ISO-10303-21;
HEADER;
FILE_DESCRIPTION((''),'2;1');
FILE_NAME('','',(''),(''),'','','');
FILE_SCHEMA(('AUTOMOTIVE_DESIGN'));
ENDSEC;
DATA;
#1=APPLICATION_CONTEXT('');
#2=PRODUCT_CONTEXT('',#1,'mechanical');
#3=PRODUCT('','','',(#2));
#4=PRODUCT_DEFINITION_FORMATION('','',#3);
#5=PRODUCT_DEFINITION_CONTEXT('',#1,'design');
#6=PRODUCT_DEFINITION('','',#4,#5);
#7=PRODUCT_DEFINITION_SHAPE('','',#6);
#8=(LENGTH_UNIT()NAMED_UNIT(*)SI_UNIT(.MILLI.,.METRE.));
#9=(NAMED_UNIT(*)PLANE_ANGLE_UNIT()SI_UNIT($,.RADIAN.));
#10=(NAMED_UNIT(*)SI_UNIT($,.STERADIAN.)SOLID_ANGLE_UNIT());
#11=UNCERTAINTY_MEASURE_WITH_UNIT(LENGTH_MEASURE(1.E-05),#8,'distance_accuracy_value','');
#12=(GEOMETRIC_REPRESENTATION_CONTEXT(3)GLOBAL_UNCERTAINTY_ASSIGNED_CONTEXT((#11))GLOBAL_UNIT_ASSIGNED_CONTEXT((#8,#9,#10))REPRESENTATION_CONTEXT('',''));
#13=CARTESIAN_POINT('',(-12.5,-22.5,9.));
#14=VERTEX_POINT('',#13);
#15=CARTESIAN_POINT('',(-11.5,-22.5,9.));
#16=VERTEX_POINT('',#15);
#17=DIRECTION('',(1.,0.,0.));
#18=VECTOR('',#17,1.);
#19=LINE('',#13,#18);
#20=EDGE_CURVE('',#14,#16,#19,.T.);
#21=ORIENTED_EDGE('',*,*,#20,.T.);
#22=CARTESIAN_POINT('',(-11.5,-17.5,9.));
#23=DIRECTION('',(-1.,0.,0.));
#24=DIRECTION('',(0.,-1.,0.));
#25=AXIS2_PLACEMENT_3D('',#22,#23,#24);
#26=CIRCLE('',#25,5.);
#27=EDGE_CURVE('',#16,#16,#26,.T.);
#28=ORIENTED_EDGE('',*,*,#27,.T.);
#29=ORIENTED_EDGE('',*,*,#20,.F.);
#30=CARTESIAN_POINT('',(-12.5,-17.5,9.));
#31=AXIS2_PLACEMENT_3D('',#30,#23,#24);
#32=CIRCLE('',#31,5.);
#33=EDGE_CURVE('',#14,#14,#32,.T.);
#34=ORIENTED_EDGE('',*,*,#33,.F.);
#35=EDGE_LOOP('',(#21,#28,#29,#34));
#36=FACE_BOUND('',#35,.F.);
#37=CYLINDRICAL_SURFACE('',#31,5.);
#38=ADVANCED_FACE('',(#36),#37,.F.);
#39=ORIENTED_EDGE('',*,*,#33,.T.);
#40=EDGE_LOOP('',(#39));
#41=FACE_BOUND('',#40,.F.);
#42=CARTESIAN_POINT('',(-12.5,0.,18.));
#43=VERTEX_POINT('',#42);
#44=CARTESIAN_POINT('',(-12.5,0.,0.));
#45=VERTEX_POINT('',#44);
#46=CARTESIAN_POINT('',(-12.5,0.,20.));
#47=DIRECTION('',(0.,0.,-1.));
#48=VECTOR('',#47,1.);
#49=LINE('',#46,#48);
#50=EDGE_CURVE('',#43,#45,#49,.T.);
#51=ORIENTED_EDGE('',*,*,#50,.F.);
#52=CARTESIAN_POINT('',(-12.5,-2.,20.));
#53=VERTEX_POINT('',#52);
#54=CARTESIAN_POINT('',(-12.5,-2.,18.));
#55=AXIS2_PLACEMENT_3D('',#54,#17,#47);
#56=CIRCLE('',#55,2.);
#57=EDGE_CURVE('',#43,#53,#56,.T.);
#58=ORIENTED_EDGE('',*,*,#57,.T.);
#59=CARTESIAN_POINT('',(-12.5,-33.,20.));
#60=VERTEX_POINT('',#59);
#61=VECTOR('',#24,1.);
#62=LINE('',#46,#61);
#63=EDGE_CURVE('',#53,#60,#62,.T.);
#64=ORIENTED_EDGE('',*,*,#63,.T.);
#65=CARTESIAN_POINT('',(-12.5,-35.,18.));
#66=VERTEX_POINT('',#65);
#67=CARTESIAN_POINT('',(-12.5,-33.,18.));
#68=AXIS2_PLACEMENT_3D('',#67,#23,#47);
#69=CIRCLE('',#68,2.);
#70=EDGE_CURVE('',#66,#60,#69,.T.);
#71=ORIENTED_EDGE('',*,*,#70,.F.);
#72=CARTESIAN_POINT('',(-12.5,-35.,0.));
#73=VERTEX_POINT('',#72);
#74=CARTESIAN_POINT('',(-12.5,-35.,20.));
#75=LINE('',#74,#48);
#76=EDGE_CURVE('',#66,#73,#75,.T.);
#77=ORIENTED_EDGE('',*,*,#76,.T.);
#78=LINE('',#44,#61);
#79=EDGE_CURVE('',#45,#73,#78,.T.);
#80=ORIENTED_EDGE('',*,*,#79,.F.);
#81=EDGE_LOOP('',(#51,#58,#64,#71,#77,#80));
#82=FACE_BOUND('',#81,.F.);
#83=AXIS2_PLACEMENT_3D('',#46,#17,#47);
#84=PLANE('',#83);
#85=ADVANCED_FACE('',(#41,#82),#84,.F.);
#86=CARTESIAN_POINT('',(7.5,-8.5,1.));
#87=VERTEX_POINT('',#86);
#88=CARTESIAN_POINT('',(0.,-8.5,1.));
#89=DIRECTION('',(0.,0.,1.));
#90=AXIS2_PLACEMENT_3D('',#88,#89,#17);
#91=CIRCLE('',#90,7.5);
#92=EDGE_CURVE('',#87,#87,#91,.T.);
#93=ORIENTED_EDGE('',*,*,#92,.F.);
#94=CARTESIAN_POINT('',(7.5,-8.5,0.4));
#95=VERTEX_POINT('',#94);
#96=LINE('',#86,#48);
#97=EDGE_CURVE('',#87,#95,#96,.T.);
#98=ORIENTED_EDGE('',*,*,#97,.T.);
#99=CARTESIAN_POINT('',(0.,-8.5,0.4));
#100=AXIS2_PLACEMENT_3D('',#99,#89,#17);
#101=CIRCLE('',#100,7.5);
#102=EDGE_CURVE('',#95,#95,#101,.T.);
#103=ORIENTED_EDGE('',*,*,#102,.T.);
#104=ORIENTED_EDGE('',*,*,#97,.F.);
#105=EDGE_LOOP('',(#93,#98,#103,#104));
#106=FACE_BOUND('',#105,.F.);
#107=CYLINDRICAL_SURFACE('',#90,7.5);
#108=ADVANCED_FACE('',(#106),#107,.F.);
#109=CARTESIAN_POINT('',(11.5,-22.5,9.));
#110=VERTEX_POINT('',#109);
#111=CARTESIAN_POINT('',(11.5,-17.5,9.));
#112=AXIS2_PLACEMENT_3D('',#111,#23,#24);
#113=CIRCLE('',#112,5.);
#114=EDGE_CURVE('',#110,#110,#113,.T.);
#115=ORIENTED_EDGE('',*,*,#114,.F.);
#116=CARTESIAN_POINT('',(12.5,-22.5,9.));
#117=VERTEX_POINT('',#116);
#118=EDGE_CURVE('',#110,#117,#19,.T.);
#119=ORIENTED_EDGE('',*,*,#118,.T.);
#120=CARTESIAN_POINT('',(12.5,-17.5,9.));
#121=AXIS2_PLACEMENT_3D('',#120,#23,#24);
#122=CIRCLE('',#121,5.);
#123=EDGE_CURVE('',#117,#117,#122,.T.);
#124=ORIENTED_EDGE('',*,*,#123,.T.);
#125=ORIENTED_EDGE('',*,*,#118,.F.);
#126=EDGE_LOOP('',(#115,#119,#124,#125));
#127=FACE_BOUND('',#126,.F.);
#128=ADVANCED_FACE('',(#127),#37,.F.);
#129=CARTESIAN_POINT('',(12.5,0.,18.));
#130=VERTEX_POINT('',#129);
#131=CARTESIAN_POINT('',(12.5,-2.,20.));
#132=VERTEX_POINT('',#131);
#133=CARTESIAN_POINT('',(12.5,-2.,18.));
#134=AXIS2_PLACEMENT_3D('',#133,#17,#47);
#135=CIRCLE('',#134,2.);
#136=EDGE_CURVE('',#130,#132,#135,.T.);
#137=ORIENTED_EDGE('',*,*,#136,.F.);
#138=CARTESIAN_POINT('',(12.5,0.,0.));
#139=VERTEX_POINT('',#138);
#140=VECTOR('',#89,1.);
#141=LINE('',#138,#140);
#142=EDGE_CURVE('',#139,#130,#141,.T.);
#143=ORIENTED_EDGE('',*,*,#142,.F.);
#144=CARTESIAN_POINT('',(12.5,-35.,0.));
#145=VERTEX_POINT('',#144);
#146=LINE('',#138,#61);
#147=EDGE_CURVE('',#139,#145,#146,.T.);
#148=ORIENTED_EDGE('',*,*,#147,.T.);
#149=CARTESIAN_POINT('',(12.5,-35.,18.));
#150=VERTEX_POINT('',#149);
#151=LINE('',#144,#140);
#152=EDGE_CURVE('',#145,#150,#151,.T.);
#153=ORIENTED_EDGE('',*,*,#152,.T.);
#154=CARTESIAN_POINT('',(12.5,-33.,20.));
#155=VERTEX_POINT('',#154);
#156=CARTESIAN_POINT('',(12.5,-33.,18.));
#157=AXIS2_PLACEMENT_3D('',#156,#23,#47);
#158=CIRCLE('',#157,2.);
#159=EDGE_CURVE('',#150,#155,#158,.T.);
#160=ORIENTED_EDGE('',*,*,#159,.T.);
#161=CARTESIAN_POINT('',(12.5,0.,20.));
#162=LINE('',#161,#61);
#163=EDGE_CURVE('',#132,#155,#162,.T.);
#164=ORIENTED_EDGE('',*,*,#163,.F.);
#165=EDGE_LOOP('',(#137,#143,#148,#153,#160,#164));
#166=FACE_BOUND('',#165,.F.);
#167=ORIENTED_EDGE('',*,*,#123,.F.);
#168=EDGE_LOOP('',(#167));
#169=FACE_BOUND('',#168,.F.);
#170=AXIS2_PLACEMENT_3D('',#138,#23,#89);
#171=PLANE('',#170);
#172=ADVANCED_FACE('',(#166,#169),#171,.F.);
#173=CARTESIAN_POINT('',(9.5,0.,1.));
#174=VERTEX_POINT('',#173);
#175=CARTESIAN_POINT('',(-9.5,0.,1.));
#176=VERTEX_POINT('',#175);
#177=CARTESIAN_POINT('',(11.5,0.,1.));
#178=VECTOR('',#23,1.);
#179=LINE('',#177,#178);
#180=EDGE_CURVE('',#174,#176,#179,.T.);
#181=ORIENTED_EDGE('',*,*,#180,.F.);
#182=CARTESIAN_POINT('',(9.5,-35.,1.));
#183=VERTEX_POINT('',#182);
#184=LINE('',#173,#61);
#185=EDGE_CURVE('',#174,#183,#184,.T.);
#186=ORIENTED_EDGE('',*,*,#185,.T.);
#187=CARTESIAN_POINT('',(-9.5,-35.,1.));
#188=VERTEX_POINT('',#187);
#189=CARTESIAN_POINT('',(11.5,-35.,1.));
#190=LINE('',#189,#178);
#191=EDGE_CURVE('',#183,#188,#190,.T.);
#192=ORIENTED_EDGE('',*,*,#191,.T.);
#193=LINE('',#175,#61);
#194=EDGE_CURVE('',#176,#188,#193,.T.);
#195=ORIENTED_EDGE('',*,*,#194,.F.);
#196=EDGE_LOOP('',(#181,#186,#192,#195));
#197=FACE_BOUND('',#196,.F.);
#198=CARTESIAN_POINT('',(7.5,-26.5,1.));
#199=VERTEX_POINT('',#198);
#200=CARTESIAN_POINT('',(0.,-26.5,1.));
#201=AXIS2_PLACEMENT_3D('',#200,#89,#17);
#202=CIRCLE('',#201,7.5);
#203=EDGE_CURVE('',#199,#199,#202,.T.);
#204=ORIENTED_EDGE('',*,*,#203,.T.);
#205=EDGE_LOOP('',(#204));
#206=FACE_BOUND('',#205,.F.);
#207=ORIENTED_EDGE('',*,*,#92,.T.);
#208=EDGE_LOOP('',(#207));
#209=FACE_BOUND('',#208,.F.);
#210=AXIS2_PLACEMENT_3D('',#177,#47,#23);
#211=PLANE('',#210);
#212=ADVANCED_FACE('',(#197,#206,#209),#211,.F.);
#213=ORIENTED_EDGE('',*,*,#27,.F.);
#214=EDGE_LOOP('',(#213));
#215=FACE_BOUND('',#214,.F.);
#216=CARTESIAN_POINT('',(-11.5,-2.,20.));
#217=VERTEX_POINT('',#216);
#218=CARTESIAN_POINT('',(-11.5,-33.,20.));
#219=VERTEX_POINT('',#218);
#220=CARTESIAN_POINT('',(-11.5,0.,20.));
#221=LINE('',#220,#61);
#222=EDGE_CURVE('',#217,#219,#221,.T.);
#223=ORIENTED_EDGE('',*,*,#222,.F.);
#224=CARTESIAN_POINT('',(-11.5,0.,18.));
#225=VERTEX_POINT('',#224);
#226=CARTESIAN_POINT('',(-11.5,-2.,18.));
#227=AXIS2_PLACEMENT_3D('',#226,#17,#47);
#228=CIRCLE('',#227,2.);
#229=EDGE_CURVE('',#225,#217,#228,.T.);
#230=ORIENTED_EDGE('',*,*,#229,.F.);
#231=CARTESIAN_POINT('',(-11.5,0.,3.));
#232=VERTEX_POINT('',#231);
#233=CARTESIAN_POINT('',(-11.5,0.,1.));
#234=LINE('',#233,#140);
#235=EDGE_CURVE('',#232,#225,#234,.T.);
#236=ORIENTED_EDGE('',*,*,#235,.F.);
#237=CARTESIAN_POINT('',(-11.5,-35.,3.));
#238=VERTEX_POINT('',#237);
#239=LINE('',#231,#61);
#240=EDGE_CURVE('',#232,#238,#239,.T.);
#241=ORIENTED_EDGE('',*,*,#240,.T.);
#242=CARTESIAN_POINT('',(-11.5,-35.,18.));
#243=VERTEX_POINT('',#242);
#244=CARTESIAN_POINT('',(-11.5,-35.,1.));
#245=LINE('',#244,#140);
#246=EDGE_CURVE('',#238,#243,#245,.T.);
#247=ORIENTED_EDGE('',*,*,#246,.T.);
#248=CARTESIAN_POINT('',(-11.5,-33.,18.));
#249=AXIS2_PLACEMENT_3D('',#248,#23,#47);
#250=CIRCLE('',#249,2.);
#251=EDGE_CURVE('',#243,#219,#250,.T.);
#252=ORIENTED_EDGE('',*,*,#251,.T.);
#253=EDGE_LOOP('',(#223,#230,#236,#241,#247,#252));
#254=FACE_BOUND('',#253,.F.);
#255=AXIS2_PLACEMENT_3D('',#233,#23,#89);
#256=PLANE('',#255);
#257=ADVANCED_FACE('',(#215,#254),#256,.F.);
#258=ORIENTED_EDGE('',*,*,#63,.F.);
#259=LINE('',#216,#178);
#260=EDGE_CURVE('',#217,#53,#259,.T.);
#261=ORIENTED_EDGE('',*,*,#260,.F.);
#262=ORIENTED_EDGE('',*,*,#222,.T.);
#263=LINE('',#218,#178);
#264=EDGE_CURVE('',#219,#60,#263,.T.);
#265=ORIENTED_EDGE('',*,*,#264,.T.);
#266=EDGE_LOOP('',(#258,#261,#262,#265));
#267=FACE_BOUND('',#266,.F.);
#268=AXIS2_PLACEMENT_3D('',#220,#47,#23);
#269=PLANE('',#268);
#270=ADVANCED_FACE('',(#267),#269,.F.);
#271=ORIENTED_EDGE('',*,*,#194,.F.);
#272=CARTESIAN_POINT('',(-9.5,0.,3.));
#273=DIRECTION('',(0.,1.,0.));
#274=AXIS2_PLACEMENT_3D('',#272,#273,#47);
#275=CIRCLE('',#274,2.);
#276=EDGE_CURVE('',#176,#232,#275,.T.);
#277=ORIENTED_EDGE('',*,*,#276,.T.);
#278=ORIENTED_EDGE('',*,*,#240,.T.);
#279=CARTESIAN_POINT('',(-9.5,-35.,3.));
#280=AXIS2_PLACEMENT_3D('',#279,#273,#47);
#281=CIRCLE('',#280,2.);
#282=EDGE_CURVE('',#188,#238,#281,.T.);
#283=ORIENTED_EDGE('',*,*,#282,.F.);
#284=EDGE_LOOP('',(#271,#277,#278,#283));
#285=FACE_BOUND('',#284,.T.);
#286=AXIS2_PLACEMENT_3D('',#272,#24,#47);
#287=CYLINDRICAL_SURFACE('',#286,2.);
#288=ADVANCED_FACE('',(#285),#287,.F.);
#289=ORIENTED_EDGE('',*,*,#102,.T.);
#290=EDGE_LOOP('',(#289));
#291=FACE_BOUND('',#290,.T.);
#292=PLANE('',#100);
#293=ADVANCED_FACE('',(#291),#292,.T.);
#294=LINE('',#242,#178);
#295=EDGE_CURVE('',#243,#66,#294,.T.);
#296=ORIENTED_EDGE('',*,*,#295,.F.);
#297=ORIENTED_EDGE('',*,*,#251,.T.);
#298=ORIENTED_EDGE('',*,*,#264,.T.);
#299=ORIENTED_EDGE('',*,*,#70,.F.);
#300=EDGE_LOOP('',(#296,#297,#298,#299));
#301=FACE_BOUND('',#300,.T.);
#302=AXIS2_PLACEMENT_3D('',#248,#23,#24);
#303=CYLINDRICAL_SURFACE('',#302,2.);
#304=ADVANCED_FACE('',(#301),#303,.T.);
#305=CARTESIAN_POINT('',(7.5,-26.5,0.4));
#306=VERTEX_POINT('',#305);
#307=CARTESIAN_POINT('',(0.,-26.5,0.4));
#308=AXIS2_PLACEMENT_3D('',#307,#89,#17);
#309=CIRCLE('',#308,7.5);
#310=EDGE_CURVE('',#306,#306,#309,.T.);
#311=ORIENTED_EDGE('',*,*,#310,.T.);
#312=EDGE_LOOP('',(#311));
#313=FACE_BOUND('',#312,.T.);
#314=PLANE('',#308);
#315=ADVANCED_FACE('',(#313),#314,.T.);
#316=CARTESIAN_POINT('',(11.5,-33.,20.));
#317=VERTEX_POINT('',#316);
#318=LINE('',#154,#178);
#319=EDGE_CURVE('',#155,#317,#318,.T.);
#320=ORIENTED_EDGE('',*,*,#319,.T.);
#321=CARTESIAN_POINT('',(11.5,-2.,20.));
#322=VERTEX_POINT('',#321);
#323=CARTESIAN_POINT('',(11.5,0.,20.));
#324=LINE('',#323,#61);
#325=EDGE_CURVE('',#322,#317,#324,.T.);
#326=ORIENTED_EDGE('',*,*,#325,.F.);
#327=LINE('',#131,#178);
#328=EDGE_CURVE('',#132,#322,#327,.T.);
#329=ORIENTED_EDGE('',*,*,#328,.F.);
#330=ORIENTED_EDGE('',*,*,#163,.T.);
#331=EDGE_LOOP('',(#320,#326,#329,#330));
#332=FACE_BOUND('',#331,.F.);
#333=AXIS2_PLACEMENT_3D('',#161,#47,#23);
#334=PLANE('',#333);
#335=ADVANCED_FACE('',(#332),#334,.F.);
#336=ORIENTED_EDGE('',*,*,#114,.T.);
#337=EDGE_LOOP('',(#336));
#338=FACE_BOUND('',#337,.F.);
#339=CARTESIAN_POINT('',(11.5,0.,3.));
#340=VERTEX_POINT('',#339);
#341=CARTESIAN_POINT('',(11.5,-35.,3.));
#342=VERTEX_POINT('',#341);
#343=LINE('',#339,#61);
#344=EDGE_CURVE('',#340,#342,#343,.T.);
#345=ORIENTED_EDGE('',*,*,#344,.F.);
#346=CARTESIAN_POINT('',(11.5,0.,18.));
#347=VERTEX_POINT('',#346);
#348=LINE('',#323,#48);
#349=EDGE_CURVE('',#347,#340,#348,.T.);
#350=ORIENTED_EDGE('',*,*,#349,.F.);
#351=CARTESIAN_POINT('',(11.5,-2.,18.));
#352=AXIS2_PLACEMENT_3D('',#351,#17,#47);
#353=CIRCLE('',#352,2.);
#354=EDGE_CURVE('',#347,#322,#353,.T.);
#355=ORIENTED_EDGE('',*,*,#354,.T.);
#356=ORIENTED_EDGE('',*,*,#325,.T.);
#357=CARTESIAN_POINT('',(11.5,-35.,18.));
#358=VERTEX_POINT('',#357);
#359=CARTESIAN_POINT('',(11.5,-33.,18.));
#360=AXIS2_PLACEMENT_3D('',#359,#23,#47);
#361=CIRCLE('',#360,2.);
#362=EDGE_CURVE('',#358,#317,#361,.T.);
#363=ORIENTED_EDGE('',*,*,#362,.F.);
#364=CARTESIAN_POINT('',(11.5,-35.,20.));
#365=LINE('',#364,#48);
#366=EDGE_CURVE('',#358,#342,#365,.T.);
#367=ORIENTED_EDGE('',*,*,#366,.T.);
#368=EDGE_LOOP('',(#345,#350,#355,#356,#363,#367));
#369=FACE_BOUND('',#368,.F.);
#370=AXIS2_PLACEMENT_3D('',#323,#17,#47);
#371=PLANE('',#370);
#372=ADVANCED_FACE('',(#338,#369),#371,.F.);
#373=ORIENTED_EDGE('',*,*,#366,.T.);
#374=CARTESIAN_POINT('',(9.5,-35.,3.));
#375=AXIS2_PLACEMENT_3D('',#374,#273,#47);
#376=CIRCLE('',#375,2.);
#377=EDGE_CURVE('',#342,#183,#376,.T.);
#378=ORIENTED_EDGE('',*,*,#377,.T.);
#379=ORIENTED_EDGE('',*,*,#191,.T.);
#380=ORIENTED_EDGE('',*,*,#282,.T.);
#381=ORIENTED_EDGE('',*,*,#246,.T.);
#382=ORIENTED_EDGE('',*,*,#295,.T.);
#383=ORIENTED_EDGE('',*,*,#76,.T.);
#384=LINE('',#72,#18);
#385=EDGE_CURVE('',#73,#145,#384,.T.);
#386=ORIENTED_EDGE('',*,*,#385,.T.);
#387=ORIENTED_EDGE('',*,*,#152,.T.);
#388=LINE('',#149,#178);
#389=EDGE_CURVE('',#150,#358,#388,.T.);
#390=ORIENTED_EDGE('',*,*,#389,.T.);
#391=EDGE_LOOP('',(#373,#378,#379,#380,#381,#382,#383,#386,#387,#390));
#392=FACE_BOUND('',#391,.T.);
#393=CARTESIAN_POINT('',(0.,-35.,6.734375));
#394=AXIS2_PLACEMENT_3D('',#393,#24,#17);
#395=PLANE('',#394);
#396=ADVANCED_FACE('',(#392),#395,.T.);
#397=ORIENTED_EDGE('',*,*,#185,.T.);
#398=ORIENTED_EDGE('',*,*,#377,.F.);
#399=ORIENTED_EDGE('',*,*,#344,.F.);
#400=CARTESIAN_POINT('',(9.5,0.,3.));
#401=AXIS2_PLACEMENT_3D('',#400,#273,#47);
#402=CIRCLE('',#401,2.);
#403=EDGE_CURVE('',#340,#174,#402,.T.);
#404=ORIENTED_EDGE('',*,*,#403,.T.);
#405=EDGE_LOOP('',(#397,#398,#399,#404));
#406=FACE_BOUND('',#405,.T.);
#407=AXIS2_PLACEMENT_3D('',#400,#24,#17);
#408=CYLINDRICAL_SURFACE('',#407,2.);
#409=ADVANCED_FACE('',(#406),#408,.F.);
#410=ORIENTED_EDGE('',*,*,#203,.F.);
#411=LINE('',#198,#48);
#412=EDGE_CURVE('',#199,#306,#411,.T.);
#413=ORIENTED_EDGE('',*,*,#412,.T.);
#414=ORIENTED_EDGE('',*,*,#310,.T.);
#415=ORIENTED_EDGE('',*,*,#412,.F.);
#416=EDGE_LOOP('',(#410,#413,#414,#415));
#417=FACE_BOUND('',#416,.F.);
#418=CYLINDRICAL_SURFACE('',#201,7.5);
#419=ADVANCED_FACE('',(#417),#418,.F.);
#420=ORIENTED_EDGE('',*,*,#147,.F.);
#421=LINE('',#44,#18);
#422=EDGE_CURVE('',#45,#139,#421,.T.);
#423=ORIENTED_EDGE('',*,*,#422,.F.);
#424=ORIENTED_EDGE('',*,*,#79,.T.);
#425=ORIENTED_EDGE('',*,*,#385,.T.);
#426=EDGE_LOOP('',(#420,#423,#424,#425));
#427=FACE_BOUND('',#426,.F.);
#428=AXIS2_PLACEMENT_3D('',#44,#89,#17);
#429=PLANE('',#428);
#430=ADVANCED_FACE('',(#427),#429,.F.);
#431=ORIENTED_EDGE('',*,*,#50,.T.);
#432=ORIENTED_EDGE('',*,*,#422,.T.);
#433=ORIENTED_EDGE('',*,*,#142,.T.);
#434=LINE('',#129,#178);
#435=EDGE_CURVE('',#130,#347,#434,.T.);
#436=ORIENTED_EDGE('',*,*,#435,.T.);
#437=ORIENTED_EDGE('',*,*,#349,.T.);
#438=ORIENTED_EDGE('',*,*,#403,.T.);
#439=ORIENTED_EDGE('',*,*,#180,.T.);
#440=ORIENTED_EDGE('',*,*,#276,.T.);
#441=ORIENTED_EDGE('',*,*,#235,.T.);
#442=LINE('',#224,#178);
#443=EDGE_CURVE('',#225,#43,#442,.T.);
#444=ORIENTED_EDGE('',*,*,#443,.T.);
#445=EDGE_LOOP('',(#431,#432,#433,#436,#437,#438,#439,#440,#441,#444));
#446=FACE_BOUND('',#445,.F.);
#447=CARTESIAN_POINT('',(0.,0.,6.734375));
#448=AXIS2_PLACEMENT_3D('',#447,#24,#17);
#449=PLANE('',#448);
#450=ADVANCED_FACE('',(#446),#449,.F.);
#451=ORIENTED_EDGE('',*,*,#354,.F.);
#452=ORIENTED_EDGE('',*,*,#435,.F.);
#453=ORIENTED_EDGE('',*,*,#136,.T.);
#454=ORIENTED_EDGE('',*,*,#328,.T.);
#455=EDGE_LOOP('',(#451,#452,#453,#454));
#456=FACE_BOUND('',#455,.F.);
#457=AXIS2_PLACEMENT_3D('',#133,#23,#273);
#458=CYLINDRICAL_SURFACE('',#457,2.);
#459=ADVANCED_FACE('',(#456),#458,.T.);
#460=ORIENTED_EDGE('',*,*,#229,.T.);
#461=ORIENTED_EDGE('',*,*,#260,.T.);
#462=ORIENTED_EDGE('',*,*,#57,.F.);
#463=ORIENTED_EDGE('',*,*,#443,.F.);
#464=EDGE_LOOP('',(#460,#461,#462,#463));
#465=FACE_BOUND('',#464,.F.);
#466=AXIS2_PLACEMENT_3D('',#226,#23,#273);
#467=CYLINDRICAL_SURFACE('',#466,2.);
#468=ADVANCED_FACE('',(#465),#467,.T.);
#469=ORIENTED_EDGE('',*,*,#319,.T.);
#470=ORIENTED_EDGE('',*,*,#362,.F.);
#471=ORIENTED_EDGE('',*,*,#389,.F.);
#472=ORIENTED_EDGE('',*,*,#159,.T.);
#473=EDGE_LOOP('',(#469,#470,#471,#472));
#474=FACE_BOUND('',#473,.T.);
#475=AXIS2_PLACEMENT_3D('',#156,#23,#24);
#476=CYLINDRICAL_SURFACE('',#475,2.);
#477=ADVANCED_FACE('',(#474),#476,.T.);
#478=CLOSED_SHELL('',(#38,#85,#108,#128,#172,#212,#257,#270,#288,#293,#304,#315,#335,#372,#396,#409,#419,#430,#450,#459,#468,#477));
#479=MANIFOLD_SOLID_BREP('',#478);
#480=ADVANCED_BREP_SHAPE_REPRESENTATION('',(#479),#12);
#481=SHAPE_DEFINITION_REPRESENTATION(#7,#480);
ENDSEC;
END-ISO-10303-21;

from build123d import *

# Parameters (mm, degrees)
F1_DEPTH = 35
F2_R     = 7.5
F3_DEPTH = 0.6
F4_R     = 2
F5_R     = 5
F6_DEPTH = 25.001


with BuildPart() as f1:
    # F0 (on Front) → F1 (new body)
    with BuildSketch(Plane.XZ):
        Polygon((-12.5, 0), (0, 0), (12.5, 0), (12.5, 20), (11.5, 20), (11.5, 1), (0, 1), (-11.5, 1), (-11.5, 20), (-12.5, 20), align=None)
    extrude(amount=F1_DEPTH)

    # F2 (on face) → F3 (cut)
    with BuildSketch(Plane.XY.offset(1)):
        with Locations((0, -8.5)):
            Circle(F2_R)
        with Locations((0, -26.5)):
            Circle(F2_R)
    extrude(amount=-F3_DEPTH, mode=Mode.SUBTRACT)

    # F4
    f4_edges = [f1.edges().sort_by_distance(p)[0] for p in [
        (-11.5, -17.5, 1),
        (11.5, -17.5, 1),
        (-12, -35, 20),
        (12, -35, 20),
        (12, 0, 20),
        (-12, 0, 20),
    ]]
    fillet(f4_edges, radius=F4_R)

    # F5 (on face) → F6 (cut, through all)
    with BuildSketch(Plane(origin=(-12.5, 0, 0), x_dir=(0, -1, 0), z_dir=(-1, 0, 0))):
        with Locations((17.5, 9)):
            Circle(F5_R)
    extrude(amount=-F6_DEPTH, mode=Mode.SUBTRACT)


solid = f1.part
